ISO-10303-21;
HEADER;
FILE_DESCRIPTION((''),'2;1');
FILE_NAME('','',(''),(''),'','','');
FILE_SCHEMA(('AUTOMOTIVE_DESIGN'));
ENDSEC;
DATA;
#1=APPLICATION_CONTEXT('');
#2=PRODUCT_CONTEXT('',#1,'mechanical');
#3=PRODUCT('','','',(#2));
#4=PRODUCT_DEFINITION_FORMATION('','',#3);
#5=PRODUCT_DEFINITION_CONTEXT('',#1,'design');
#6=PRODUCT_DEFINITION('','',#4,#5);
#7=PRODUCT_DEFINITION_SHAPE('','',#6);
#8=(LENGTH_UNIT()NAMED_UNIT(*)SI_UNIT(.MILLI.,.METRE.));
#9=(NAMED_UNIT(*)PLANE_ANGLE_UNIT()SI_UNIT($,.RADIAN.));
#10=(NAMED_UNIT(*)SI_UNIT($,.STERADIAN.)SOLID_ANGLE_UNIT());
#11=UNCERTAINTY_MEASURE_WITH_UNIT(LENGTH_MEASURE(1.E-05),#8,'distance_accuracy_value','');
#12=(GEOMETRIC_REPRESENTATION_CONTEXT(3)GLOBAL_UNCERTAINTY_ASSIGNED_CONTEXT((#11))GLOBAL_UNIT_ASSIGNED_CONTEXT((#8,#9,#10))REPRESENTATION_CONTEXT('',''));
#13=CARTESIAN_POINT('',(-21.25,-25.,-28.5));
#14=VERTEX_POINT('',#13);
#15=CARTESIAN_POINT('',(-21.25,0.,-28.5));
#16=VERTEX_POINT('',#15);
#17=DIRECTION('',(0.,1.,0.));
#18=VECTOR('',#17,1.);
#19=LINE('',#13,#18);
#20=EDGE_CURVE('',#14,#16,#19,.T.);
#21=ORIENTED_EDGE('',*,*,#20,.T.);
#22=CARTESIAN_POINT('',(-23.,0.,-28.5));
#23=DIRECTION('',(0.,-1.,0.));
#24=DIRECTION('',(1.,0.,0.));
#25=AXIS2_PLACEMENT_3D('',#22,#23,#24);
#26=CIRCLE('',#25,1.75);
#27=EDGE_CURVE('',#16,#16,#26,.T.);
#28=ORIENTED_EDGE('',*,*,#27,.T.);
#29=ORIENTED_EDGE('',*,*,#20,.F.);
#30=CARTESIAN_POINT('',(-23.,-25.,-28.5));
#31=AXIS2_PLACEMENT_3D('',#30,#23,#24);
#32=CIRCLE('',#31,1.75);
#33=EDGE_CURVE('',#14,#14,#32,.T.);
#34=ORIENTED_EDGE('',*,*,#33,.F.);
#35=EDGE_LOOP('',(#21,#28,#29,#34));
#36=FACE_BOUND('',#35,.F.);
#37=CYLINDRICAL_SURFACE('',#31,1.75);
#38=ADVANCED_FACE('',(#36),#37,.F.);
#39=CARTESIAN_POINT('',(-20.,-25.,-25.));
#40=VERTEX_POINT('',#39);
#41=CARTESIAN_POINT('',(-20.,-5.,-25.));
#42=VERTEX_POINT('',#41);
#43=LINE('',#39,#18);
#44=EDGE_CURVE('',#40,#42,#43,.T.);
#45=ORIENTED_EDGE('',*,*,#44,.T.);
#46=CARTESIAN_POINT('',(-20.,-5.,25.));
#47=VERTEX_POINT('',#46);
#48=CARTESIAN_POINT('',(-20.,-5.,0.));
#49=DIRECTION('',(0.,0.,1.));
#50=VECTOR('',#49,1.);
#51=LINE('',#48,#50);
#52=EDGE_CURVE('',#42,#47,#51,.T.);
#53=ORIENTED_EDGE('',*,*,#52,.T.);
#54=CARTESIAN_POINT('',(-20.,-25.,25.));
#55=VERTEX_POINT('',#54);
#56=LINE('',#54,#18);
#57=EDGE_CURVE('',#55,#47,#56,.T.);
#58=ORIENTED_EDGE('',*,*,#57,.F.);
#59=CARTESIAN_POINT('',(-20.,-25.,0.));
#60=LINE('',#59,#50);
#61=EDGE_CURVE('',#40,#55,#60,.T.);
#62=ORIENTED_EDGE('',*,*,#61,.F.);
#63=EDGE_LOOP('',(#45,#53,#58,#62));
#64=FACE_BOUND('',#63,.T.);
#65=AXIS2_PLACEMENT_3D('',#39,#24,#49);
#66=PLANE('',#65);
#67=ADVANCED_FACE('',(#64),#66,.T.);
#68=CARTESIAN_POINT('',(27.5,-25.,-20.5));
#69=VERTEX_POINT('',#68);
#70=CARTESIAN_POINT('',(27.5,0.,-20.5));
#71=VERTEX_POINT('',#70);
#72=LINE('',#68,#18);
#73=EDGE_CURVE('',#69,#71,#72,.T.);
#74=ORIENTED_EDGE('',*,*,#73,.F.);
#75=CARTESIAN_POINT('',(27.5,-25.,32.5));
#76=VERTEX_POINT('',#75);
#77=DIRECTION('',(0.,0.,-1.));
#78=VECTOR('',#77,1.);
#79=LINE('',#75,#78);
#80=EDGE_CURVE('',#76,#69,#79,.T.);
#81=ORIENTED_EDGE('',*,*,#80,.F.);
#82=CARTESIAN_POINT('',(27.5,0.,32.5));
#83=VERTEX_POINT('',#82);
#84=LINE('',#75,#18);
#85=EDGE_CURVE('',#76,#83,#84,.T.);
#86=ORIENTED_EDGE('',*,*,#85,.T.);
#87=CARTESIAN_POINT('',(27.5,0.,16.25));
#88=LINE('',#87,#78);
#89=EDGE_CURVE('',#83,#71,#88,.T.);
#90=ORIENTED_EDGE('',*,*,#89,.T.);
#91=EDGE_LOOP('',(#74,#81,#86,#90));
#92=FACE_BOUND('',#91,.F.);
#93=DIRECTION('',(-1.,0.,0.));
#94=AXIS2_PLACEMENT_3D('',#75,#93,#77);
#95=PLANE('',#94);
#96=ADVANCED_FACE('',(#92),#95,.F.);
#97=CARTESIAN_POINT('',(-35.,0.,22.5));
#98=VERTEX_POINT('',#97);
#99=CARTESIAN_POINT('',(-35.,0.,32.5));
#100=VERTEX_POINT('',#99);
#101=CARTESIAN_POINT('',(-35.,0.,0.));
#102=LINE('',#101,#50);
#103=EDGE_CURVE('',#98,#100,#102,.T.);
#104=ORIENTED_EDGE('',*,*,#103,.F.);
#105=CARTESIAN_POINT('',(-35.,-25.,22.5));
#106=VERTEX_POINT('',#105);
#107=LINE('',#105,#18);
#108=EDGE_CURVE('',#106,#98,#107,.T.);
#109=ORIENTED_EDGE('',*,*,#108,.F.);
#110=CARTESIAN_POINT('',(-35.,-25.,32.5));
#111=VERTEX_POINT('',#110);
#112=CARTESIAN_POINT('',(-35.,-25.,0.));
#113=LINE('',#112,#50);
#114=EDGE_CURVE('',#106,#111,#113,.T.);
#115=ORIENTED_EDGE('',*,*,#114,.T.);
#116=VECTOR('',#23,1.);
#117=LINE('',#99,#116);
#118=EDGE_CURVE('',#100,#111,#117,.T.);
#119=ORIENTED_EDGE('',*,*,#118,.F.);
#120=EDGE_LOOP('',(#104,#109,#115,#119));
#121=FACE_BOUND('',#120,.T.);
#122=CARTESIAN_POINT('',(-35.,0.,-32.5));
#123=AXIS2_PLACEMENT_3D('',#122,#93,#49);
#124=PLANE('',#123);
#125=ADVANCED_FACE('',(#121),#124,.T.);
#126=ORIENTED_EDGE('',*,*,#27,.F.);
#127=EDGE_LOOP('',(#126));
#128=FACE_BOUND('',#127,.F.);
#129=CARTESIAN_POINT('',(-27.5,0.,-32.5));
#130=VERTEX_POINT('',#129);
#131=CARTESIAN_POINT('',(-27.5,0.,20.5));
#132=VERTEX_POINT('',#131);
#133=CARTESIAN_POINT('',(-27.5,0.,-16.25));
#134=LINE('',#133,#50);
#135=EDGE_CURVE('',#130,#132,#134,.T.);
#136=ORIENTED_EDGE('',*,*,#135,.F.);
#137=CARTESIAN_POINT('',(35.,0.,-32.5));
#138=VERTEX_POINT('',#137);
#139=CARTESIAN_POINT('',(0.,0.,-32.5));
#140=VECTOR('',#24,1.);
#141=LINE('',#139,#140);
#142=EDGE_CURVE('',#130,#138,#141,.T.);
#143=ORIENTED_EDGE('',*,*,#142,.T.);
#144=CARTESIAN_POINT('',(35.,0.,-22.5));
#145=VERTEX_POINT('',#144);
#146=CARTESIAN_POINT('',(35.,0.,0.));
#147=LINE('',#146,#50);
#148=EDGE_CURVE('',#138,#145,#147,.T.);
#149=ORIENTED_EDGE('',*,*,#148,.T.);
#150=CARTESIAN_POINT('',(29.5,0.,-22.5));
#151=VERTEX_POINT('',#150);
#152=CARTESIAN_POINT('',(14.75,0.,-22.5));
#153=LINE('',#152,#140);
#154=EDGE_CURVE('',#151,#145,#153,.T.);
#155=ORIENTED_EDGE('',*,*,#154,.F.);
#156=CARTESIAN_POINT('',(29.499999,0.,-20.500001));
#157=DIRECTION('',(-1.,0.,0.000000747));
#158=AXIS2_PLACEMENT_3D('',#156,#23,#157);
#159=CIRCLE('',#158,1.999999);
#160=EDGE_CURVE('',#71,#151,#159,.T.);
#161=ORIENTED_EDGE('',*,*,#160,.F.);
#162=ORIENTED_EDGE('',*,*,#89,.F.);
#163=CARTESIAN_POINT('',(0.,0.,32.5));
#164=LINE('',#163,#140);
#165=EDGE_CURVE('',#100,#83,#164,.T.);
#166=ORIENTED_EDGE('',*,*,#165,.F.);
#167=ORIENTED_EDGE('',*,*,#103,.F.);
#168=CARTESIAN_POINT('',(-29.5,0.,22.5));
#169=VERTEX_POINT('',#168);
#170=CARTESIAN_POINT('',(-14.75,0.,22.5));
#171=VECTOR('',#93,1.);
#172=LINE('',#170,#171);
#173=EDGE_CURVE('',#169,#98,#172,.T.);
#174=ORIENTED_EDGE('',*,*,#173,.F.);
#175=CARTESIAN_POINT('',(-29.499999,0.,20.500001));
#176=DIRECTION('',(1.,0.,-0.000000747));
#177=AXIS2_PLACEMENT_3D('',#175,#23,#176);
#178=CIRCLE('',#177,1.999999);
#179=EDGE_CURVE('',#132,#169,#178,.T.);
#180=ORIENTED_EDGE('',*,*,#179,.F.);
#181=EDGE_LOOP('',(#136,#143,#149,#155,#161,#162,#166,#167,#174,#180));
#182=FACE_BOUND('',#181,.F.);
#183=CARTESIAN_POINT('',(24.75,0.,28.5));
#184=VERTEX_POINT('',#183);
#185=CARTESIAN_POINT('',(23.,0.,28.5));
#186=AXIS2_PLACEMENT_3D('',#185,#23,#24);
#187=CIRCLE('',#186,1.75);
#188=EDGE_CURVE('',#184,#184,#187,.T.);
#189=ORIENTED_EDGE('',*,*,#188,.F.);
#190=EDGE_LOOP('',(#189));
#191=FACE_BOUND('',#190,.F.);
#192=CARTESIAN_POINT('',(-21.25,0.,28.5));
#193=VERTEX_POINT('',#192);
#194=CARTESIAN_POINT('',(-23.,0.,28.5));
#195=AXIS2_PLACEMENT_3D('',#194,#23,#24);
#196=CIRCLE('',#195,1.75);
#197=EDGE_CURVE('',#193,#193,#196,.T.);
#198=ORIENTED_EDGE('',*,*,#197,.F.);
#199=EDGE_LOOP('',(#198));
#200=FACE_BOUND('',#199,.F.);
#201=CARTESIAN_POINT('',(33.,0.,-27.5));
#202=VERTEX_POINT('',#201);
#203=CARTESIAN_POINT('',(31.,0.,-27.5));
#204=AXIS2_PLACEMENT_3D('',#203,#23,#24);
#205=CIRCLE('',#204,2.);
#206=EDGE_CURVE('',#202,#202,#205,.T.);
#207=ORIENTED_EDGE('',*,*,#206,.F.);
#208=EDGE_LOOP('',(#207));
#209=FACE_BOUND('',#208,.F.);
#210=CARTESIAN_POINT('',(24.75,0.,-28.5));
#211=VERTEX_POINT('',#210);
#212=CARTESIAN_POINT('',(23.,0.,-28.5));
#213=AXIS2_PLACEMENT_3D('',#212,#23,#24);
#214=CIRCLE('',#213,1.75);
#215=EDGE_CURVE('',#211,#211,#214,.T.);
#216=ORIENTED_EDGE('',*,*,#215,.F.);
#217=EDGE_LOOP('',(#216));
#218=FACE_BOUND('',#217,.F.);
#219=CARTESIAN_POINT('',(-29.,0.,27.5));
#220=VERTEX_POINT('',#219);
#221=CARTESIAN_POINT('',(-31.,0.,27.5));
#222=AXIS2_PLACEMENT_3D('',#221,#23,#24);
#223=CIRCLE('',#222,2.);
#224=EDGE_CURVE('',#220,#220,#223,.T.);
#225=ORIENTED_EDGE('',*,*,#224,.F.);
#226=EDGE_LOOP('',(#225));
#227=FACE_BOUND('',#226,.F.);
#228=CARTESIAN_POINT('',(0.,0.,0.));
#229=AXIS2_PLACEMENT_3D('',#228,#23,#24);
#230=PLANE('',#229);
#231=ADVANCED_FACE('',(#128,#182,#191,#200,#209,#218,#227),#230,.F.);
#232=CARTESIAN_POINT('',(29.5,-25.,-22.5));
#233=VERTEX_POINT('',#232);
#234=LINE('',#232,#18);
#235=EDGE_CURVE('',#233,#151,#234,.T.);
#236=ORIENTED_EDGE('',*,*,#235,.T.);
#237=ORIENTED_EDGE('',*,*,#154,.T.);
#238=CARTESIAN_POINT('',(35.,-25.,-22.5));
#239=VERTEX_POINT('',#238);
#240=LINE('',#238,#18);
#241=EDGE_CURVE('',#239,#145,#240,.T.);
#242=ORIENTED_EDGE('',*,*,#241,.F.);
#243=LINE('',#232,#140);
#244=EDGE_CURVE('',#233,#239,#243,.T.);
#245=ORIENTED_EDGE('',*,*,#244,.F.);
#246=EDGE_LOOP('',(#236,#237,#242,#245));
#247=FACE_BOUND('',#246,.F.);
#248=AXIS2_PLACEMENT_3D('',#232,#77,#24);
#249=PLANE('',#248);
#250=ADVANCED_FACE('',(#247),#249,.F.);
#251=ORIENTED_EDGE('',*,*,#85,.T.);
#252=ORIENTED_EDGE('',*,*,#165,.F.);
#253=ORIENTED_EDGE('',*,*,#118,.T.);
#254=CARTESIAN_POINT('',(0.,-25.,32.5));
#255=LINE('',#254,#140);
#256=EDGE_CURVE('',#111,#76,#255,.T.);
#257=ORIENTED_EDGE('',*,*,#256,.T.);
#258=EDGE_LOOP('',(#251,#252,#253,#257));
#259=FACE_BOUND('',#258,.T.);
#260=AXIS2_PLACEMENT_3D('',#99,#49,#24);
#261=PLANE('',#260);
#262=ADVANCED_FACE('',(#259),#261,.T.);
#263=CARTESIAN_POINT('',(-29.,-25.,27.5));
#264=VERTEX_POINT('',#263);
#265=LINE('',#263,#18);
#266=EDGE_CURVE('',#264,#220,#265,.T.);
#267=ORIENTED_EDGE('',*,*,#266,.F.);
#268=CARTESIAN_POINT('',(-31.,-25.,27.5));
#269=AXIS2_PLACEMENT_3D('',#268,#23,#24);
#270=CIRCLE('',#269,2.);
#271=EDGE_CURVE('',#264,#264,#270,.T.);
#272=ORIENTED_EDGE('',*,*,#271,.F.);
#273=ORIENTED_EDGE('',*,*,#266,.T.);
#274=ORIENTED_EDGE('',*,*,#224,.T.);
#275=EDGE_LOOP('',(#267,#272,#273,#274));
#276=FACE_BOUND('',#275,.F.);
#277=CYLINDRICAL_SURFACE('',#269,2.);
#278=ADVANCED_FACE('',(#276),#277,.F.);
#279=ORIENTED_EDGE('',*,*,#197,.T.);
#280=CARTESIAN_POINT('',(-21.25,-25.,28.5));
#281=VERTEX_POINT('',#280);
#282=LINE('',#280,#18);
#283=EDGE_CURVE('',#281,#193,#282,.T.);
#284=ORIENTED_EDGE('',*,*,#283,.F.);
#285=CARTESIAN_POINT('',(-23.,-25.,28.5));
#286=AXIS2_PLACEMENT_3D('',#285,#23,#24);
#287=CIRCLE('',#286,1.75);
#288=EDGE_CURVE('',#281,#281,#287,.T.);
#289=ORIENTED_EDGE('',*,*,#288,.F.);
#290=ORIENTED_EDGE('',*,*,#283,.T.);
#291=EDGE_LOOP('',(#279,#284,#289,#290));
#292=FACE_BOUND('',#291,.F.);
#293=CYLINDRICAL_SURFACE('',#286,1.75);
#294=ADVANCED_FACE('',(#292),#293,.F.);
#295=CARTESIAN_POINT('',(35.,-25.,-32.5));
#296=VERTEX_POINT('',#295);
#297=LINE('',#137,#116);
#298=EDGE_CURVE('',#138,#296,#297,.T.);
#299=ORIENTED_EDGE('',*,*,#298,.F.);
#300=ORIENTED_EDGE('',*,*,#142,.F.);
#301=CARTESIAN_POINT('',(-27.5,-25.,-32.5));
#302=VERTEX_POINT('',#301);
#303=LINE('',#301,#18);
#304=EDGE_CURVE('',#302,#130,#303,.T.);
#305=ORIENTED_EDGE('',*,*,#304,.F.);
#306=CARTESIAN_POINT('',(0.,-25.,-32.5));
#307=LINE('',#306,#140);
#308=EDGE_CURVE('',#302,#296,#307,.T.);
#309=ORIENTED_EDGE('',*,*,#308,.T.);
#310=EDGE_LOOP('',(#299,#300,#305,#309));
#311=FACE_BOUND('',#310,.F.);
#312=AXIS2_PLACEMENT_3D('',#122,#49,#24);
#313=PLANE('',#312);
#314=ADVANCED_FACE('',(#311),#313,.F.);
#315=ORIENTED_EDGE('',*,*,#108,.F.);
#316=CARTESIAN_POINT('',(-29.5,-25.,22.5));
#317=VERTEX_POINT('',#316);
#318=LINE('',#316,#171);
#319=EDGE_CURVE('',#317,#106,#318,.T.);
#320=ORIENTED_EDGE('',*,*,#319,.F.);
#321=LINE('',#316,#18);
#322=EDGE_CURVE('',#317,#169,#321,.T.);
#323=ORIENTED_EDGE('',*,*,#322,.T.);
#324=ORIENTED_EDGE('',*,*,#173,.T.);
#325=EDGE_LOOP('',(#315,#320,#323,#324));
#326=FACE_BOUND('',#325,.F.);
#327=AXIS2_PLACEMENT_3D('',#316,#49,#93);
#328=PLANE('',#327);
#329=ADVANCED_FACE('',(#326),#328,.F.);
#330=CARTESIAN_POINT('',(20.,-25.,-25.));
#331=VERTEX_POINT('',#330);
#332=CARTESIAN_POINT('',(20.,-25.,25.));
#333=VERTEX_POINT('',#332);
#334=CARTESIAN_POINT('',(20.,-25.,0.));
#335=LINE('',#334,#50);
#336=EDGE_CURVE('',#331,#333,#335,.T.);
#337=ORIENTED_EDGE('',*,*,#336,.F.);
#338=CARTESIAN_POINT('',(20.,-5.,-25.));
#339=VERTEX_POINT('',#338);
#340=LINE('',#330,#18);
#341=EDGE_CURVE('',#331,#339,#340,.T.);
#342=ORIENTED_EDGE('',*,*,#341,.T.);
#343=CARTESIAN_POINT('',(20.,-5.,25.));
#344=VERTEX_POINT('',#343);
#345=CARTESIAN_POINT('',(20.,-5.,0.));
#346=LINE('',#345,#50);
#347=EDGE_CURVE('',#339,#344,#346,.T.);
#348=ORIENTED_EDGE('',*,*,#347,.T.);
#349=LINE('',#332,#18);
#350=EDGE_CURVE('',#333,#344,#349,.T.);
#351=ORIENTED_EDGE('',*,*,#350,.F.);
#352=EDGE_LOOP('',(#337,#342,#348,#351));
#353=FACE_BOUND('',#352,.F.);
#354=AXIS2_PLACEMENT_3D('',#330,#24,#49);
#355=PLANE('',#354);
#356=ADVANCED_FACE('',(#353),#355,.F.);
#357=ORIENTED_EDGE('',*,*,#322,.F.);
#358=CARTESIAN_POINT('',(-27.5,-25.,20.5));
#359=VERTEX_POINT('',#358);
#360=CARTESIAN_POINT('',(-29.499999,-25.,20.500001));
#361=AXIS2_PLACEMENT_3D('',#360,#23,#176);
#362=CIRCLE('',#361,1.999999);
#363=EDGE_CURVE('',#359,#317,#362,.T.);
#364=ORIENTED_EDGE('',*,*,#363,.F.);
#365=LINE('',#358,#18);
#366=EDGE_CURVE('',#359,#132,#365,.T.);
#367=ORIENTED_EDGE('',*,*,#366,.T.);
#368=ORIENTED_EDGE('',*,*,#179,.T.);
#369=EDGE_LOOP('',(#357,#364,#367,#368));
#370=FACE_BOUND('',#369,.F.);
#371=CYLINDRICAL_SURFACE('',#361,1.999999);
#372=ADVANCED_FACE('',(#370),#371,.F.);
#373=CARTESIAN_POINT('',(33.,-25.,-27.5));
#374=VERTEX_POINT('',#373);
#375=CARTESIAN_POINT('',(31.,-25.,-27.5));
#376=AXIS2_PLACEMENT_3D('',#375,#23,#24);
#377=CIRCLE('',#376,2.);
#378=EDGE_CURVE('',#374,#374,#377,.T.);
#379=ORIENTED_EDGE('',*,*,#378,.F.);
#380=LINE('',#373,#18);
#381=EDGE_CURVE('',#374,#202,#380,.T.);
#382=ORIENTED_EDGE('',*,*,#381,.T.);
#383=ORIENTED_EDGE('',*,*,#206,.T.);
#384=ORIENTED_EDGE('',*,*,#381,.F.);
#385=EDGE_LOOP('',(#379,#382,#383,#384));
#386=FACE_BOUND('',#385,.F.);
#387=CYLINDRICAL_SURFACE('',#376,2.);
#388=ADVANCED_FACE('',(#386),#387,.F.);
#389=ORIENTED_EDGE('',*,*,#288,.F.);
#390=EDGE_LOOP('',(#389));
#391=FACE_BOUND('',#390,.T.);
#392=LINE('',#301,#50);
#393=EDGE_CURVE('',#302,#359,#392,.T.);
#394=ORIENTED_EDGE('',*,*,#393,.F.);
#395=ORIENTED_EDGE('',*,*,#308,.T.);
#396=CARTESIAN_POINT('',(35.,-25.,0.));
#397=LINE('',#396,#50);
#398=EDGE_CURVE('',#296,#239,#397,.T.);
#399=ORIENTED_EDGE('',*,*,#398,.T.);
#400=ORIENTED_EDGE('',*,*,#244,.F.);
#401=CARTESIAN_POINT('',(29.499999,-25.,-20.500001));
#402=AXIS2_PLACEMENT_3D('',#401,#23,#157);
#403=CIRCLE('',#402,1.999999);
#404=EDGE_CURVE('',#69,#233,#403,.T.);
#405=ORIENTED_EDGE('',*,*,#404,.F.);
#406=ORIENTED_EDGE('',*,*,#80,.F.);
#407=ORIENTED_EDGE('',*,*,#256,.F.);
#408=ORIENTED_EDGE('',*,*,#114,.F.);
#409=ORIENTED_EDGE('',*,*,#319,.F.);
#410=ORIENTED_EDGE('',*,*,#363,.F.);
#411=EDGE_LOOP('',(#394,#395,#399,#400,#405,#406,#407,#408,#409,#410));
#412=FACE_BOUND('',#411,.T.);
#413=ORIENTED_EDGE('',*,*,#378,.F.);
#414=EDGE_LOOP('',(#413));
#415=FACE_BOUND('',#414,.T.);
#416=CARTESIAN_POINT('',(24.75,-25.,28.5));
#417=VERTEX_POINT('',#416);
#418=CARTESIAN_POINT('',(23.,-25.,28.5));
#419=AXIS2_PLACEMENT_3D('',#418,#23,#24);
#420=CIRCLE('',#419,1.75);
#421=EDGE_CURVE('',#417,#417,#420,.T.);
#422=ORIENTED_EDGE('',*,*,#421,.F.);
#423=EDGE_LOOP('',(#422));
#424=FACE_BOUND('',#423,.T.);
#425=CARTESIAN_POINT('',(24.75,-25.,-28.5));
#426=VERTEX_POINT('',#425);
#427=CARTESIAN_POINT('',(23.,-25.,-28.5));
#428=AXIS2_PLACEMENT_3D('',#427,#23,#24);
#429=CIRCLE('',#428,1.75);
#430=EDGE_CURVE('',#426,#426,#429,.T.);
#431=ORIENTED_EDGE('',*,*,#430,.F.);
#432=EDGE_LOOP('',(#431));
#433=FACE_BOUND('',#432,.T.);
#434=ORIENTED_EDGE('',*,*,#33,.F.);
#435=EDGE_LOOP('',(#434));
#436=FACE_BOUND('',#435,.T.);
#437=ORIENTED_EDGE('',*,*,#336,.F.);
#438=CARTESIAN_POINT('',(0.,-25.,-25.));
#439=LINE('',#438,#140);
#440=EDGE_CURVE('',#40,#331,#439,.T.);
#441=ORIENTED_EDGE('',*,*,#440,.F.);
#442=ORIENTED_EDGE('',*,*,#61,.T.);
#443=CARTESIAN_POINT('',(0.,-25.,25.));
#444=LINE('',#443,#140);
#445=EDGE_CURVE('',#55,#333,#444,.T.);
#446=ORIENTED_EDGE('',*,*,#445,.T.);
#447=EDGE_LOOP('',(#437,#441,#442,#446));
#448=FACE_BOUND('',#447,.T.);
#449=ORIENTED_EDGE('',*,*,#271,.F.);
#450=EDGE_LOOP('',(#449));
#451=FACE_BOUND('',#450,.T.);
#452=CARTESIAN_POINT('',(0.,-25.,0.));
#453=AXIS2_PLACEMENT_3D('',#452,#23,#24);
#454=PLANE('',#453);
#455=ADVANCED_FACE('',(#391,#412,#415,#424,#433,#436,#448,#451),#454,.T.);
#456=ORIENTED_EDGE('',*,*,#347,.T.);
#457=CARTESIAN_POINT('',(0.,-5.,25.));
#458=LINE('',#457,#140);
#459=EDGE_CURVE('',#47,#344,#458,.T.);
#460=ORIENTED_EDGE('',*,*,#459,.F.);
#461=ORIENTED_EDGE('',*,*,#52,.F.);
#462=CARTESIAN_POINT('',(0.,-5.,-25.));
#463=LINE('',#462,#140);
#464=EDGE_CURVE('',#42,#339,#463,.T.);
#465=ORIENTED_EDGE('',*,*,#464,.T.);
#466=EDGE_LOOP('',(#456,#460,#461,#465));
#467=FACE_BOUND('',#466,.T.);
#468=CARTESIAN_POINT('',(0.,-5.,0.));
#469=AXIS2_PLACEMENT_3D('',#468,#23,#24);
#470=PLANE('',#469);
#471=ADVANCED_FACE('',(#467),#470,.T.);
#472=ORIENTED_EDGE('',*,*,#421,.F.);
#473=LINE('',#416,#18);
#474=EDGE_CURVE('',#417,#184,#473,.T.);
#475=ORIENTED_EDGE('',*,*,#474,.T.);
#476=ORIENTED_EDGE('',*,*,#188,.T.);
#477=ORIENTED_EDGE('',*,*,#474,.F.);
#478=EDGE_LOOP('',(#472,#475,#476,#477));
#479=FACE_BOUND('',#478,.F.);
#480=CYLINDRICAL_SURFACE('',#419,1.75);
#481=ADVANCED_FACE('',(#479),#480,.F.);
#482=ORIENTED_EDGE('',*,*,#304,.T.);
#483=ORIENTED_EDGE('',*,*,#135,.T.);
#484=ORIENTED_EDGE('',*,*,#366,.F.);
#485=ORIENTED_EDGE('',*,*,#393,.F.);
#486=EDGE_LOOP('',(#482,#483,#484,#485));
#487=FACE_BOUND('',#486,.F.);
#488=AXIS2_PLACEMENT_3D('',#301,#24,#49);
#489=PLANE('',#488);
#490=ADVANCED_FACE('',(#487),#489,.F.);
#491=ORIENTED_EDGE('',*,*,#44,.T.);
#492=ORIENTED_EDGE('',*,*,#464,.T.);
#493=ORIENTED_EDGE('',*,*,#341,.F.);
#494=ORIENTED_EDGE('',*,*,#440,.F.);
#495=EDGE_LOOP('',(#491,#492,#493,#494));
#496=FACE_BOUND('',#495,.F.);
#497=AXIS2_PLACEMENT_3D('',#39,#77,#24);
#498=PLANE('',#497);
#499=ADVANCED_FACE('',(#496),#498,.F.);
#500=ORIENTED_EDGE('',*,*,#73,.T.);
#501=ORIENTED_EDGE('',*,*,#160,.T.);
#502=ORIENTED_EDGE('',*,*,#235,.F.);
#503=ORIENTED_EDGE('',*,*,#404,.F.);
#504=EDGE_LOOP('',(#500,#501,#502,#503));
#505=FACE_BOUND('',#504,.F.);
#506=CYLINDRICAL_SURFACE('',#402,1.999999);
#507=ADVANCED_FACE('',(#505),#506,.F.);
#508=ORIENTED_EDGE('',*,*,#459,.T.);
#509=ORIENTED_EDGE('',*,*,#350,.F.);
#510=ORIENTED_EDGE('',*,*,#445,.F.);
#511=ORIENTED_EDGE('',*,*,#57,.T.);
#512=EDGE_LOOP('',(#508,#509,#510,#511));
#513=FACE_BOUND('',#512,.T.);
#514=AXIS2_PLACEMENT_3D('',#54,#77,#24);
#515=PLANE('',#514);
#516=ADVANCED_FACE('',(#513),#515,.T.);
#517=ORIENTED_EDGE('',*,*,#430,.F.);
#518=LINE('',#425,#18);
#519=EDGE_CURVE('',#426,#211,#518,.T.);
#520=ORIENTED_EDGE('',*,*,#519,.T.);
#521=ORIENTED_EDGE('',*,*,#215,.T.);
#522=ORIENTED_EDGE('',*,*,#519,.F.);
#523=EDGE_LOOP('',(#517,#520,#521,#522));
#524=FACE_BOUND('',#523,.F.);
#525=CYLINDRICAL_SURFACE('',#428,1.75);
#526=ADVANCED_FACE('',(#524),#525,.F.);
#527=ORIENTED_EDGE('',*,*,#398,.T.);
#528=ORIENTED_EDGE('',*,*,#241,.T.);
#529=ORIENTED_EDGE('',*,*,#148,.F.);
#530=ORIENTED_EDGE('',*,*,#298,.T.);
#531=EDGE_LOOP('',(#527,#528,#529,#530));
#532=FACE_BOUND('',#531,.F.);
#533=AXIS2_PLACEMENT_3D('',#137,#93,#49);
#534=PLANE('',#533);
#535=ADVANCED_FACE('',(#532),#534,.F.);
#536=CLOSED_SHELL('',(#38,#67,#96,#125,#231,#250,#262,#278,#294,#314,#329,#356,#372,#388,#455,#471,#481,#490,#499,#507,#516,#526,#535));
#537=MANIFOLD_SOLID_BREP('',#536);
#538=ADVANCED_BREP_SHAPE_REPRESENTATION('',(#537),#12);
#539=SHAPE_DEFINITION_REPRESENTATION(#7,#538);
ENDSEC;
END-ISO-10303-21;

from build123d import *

# Parameters (mm, degrees)
F0_W     = 70
F0_H     = 65
F1_DEPTH = 25
F2_W     = 40
F2_H     = 50
F3_DEPTH = 20
F5_DEPTH = 25.001
F7_DEPTH = 25.001
F8_R     = 2
F8_R_2   = 1.75
F9_DEPTH = 25.001


with BuildPart() as f1:
    # F0 (on Front) → F1 (new body)
    with BuildSketch(Plane.XZ):
        Rectangle(F0_W, F0_H)
    extrude(amount=F1_DEPTH)

    # F2 (on face) → F3 (cut)
    with BuildSketch(Plane.XZ.offset(25)):
        Rectangle(F2_W, F2_H)
    extrude(amount=-F3_DEPTH, mode=Mode.SUBTRACT)

    # F4 (on face) → F5 (cut, through all)
    with BuildSketch(Plane.XZ.offset(25)):
        with BuildLine():
            Line((-35, 22.5), (-35, -32.5))
            Line((-35, -32.5), (-27.5, -32.5))
            Line((-27.5, -32.5), (-27.5, 20.5))
            ThreePointArc((-27.5, 20.5), (-28.085786, 21.914214), (-29.5, 22.5))
            Line((-29.5, 22.5), (-35, 22.5))
        make_face()
    extrude(amount=-F5_DEPTH, mode=Mode.SUBTRACT)

    # F6 (on face) → F7 (cut, through all)
    with BuildSketch(Plane.XZ.offset(25)):
        with BuildLine():
            Line((35, -22.5), (35, 32.5))
            Line((35, 32.5), (27.5, 32.5))
            Line((27.5, 32.5), (27.5, -20.5))
            ThreePointArc((27.5, -20.5), (28.085786, -21.914214), (29.5, -22.5))
            Line((29.5, -22.5), (35, -22.5))
        make_face()
    extrude(amount=-F7_DEPTH, mode=Mode.SUBTRACT)

    # F8 (on face) → F9 (cut, through all)
    with BuildSketch(Plane.XZ.offset(25)):
        with Locations((-31, 27.5)):
            Circle(F8_R)
        with Locations((31, -27.5)):
            Circle(F8_R)
        with Locations((-23, 28.5)):
            Circle(F8_R_2)
        with Locations((23, 28.5)):
            Circle(F8_R_2)
        with Locations((-23, -28.5)):
            Circle(F8_R_2)
        with Locations((23, -28.5)):
            Circle(F8_R_2)
    extrude(amount=-F9_DEPTH, mode=Mode.SUBTRACT)


solid = f1.part
